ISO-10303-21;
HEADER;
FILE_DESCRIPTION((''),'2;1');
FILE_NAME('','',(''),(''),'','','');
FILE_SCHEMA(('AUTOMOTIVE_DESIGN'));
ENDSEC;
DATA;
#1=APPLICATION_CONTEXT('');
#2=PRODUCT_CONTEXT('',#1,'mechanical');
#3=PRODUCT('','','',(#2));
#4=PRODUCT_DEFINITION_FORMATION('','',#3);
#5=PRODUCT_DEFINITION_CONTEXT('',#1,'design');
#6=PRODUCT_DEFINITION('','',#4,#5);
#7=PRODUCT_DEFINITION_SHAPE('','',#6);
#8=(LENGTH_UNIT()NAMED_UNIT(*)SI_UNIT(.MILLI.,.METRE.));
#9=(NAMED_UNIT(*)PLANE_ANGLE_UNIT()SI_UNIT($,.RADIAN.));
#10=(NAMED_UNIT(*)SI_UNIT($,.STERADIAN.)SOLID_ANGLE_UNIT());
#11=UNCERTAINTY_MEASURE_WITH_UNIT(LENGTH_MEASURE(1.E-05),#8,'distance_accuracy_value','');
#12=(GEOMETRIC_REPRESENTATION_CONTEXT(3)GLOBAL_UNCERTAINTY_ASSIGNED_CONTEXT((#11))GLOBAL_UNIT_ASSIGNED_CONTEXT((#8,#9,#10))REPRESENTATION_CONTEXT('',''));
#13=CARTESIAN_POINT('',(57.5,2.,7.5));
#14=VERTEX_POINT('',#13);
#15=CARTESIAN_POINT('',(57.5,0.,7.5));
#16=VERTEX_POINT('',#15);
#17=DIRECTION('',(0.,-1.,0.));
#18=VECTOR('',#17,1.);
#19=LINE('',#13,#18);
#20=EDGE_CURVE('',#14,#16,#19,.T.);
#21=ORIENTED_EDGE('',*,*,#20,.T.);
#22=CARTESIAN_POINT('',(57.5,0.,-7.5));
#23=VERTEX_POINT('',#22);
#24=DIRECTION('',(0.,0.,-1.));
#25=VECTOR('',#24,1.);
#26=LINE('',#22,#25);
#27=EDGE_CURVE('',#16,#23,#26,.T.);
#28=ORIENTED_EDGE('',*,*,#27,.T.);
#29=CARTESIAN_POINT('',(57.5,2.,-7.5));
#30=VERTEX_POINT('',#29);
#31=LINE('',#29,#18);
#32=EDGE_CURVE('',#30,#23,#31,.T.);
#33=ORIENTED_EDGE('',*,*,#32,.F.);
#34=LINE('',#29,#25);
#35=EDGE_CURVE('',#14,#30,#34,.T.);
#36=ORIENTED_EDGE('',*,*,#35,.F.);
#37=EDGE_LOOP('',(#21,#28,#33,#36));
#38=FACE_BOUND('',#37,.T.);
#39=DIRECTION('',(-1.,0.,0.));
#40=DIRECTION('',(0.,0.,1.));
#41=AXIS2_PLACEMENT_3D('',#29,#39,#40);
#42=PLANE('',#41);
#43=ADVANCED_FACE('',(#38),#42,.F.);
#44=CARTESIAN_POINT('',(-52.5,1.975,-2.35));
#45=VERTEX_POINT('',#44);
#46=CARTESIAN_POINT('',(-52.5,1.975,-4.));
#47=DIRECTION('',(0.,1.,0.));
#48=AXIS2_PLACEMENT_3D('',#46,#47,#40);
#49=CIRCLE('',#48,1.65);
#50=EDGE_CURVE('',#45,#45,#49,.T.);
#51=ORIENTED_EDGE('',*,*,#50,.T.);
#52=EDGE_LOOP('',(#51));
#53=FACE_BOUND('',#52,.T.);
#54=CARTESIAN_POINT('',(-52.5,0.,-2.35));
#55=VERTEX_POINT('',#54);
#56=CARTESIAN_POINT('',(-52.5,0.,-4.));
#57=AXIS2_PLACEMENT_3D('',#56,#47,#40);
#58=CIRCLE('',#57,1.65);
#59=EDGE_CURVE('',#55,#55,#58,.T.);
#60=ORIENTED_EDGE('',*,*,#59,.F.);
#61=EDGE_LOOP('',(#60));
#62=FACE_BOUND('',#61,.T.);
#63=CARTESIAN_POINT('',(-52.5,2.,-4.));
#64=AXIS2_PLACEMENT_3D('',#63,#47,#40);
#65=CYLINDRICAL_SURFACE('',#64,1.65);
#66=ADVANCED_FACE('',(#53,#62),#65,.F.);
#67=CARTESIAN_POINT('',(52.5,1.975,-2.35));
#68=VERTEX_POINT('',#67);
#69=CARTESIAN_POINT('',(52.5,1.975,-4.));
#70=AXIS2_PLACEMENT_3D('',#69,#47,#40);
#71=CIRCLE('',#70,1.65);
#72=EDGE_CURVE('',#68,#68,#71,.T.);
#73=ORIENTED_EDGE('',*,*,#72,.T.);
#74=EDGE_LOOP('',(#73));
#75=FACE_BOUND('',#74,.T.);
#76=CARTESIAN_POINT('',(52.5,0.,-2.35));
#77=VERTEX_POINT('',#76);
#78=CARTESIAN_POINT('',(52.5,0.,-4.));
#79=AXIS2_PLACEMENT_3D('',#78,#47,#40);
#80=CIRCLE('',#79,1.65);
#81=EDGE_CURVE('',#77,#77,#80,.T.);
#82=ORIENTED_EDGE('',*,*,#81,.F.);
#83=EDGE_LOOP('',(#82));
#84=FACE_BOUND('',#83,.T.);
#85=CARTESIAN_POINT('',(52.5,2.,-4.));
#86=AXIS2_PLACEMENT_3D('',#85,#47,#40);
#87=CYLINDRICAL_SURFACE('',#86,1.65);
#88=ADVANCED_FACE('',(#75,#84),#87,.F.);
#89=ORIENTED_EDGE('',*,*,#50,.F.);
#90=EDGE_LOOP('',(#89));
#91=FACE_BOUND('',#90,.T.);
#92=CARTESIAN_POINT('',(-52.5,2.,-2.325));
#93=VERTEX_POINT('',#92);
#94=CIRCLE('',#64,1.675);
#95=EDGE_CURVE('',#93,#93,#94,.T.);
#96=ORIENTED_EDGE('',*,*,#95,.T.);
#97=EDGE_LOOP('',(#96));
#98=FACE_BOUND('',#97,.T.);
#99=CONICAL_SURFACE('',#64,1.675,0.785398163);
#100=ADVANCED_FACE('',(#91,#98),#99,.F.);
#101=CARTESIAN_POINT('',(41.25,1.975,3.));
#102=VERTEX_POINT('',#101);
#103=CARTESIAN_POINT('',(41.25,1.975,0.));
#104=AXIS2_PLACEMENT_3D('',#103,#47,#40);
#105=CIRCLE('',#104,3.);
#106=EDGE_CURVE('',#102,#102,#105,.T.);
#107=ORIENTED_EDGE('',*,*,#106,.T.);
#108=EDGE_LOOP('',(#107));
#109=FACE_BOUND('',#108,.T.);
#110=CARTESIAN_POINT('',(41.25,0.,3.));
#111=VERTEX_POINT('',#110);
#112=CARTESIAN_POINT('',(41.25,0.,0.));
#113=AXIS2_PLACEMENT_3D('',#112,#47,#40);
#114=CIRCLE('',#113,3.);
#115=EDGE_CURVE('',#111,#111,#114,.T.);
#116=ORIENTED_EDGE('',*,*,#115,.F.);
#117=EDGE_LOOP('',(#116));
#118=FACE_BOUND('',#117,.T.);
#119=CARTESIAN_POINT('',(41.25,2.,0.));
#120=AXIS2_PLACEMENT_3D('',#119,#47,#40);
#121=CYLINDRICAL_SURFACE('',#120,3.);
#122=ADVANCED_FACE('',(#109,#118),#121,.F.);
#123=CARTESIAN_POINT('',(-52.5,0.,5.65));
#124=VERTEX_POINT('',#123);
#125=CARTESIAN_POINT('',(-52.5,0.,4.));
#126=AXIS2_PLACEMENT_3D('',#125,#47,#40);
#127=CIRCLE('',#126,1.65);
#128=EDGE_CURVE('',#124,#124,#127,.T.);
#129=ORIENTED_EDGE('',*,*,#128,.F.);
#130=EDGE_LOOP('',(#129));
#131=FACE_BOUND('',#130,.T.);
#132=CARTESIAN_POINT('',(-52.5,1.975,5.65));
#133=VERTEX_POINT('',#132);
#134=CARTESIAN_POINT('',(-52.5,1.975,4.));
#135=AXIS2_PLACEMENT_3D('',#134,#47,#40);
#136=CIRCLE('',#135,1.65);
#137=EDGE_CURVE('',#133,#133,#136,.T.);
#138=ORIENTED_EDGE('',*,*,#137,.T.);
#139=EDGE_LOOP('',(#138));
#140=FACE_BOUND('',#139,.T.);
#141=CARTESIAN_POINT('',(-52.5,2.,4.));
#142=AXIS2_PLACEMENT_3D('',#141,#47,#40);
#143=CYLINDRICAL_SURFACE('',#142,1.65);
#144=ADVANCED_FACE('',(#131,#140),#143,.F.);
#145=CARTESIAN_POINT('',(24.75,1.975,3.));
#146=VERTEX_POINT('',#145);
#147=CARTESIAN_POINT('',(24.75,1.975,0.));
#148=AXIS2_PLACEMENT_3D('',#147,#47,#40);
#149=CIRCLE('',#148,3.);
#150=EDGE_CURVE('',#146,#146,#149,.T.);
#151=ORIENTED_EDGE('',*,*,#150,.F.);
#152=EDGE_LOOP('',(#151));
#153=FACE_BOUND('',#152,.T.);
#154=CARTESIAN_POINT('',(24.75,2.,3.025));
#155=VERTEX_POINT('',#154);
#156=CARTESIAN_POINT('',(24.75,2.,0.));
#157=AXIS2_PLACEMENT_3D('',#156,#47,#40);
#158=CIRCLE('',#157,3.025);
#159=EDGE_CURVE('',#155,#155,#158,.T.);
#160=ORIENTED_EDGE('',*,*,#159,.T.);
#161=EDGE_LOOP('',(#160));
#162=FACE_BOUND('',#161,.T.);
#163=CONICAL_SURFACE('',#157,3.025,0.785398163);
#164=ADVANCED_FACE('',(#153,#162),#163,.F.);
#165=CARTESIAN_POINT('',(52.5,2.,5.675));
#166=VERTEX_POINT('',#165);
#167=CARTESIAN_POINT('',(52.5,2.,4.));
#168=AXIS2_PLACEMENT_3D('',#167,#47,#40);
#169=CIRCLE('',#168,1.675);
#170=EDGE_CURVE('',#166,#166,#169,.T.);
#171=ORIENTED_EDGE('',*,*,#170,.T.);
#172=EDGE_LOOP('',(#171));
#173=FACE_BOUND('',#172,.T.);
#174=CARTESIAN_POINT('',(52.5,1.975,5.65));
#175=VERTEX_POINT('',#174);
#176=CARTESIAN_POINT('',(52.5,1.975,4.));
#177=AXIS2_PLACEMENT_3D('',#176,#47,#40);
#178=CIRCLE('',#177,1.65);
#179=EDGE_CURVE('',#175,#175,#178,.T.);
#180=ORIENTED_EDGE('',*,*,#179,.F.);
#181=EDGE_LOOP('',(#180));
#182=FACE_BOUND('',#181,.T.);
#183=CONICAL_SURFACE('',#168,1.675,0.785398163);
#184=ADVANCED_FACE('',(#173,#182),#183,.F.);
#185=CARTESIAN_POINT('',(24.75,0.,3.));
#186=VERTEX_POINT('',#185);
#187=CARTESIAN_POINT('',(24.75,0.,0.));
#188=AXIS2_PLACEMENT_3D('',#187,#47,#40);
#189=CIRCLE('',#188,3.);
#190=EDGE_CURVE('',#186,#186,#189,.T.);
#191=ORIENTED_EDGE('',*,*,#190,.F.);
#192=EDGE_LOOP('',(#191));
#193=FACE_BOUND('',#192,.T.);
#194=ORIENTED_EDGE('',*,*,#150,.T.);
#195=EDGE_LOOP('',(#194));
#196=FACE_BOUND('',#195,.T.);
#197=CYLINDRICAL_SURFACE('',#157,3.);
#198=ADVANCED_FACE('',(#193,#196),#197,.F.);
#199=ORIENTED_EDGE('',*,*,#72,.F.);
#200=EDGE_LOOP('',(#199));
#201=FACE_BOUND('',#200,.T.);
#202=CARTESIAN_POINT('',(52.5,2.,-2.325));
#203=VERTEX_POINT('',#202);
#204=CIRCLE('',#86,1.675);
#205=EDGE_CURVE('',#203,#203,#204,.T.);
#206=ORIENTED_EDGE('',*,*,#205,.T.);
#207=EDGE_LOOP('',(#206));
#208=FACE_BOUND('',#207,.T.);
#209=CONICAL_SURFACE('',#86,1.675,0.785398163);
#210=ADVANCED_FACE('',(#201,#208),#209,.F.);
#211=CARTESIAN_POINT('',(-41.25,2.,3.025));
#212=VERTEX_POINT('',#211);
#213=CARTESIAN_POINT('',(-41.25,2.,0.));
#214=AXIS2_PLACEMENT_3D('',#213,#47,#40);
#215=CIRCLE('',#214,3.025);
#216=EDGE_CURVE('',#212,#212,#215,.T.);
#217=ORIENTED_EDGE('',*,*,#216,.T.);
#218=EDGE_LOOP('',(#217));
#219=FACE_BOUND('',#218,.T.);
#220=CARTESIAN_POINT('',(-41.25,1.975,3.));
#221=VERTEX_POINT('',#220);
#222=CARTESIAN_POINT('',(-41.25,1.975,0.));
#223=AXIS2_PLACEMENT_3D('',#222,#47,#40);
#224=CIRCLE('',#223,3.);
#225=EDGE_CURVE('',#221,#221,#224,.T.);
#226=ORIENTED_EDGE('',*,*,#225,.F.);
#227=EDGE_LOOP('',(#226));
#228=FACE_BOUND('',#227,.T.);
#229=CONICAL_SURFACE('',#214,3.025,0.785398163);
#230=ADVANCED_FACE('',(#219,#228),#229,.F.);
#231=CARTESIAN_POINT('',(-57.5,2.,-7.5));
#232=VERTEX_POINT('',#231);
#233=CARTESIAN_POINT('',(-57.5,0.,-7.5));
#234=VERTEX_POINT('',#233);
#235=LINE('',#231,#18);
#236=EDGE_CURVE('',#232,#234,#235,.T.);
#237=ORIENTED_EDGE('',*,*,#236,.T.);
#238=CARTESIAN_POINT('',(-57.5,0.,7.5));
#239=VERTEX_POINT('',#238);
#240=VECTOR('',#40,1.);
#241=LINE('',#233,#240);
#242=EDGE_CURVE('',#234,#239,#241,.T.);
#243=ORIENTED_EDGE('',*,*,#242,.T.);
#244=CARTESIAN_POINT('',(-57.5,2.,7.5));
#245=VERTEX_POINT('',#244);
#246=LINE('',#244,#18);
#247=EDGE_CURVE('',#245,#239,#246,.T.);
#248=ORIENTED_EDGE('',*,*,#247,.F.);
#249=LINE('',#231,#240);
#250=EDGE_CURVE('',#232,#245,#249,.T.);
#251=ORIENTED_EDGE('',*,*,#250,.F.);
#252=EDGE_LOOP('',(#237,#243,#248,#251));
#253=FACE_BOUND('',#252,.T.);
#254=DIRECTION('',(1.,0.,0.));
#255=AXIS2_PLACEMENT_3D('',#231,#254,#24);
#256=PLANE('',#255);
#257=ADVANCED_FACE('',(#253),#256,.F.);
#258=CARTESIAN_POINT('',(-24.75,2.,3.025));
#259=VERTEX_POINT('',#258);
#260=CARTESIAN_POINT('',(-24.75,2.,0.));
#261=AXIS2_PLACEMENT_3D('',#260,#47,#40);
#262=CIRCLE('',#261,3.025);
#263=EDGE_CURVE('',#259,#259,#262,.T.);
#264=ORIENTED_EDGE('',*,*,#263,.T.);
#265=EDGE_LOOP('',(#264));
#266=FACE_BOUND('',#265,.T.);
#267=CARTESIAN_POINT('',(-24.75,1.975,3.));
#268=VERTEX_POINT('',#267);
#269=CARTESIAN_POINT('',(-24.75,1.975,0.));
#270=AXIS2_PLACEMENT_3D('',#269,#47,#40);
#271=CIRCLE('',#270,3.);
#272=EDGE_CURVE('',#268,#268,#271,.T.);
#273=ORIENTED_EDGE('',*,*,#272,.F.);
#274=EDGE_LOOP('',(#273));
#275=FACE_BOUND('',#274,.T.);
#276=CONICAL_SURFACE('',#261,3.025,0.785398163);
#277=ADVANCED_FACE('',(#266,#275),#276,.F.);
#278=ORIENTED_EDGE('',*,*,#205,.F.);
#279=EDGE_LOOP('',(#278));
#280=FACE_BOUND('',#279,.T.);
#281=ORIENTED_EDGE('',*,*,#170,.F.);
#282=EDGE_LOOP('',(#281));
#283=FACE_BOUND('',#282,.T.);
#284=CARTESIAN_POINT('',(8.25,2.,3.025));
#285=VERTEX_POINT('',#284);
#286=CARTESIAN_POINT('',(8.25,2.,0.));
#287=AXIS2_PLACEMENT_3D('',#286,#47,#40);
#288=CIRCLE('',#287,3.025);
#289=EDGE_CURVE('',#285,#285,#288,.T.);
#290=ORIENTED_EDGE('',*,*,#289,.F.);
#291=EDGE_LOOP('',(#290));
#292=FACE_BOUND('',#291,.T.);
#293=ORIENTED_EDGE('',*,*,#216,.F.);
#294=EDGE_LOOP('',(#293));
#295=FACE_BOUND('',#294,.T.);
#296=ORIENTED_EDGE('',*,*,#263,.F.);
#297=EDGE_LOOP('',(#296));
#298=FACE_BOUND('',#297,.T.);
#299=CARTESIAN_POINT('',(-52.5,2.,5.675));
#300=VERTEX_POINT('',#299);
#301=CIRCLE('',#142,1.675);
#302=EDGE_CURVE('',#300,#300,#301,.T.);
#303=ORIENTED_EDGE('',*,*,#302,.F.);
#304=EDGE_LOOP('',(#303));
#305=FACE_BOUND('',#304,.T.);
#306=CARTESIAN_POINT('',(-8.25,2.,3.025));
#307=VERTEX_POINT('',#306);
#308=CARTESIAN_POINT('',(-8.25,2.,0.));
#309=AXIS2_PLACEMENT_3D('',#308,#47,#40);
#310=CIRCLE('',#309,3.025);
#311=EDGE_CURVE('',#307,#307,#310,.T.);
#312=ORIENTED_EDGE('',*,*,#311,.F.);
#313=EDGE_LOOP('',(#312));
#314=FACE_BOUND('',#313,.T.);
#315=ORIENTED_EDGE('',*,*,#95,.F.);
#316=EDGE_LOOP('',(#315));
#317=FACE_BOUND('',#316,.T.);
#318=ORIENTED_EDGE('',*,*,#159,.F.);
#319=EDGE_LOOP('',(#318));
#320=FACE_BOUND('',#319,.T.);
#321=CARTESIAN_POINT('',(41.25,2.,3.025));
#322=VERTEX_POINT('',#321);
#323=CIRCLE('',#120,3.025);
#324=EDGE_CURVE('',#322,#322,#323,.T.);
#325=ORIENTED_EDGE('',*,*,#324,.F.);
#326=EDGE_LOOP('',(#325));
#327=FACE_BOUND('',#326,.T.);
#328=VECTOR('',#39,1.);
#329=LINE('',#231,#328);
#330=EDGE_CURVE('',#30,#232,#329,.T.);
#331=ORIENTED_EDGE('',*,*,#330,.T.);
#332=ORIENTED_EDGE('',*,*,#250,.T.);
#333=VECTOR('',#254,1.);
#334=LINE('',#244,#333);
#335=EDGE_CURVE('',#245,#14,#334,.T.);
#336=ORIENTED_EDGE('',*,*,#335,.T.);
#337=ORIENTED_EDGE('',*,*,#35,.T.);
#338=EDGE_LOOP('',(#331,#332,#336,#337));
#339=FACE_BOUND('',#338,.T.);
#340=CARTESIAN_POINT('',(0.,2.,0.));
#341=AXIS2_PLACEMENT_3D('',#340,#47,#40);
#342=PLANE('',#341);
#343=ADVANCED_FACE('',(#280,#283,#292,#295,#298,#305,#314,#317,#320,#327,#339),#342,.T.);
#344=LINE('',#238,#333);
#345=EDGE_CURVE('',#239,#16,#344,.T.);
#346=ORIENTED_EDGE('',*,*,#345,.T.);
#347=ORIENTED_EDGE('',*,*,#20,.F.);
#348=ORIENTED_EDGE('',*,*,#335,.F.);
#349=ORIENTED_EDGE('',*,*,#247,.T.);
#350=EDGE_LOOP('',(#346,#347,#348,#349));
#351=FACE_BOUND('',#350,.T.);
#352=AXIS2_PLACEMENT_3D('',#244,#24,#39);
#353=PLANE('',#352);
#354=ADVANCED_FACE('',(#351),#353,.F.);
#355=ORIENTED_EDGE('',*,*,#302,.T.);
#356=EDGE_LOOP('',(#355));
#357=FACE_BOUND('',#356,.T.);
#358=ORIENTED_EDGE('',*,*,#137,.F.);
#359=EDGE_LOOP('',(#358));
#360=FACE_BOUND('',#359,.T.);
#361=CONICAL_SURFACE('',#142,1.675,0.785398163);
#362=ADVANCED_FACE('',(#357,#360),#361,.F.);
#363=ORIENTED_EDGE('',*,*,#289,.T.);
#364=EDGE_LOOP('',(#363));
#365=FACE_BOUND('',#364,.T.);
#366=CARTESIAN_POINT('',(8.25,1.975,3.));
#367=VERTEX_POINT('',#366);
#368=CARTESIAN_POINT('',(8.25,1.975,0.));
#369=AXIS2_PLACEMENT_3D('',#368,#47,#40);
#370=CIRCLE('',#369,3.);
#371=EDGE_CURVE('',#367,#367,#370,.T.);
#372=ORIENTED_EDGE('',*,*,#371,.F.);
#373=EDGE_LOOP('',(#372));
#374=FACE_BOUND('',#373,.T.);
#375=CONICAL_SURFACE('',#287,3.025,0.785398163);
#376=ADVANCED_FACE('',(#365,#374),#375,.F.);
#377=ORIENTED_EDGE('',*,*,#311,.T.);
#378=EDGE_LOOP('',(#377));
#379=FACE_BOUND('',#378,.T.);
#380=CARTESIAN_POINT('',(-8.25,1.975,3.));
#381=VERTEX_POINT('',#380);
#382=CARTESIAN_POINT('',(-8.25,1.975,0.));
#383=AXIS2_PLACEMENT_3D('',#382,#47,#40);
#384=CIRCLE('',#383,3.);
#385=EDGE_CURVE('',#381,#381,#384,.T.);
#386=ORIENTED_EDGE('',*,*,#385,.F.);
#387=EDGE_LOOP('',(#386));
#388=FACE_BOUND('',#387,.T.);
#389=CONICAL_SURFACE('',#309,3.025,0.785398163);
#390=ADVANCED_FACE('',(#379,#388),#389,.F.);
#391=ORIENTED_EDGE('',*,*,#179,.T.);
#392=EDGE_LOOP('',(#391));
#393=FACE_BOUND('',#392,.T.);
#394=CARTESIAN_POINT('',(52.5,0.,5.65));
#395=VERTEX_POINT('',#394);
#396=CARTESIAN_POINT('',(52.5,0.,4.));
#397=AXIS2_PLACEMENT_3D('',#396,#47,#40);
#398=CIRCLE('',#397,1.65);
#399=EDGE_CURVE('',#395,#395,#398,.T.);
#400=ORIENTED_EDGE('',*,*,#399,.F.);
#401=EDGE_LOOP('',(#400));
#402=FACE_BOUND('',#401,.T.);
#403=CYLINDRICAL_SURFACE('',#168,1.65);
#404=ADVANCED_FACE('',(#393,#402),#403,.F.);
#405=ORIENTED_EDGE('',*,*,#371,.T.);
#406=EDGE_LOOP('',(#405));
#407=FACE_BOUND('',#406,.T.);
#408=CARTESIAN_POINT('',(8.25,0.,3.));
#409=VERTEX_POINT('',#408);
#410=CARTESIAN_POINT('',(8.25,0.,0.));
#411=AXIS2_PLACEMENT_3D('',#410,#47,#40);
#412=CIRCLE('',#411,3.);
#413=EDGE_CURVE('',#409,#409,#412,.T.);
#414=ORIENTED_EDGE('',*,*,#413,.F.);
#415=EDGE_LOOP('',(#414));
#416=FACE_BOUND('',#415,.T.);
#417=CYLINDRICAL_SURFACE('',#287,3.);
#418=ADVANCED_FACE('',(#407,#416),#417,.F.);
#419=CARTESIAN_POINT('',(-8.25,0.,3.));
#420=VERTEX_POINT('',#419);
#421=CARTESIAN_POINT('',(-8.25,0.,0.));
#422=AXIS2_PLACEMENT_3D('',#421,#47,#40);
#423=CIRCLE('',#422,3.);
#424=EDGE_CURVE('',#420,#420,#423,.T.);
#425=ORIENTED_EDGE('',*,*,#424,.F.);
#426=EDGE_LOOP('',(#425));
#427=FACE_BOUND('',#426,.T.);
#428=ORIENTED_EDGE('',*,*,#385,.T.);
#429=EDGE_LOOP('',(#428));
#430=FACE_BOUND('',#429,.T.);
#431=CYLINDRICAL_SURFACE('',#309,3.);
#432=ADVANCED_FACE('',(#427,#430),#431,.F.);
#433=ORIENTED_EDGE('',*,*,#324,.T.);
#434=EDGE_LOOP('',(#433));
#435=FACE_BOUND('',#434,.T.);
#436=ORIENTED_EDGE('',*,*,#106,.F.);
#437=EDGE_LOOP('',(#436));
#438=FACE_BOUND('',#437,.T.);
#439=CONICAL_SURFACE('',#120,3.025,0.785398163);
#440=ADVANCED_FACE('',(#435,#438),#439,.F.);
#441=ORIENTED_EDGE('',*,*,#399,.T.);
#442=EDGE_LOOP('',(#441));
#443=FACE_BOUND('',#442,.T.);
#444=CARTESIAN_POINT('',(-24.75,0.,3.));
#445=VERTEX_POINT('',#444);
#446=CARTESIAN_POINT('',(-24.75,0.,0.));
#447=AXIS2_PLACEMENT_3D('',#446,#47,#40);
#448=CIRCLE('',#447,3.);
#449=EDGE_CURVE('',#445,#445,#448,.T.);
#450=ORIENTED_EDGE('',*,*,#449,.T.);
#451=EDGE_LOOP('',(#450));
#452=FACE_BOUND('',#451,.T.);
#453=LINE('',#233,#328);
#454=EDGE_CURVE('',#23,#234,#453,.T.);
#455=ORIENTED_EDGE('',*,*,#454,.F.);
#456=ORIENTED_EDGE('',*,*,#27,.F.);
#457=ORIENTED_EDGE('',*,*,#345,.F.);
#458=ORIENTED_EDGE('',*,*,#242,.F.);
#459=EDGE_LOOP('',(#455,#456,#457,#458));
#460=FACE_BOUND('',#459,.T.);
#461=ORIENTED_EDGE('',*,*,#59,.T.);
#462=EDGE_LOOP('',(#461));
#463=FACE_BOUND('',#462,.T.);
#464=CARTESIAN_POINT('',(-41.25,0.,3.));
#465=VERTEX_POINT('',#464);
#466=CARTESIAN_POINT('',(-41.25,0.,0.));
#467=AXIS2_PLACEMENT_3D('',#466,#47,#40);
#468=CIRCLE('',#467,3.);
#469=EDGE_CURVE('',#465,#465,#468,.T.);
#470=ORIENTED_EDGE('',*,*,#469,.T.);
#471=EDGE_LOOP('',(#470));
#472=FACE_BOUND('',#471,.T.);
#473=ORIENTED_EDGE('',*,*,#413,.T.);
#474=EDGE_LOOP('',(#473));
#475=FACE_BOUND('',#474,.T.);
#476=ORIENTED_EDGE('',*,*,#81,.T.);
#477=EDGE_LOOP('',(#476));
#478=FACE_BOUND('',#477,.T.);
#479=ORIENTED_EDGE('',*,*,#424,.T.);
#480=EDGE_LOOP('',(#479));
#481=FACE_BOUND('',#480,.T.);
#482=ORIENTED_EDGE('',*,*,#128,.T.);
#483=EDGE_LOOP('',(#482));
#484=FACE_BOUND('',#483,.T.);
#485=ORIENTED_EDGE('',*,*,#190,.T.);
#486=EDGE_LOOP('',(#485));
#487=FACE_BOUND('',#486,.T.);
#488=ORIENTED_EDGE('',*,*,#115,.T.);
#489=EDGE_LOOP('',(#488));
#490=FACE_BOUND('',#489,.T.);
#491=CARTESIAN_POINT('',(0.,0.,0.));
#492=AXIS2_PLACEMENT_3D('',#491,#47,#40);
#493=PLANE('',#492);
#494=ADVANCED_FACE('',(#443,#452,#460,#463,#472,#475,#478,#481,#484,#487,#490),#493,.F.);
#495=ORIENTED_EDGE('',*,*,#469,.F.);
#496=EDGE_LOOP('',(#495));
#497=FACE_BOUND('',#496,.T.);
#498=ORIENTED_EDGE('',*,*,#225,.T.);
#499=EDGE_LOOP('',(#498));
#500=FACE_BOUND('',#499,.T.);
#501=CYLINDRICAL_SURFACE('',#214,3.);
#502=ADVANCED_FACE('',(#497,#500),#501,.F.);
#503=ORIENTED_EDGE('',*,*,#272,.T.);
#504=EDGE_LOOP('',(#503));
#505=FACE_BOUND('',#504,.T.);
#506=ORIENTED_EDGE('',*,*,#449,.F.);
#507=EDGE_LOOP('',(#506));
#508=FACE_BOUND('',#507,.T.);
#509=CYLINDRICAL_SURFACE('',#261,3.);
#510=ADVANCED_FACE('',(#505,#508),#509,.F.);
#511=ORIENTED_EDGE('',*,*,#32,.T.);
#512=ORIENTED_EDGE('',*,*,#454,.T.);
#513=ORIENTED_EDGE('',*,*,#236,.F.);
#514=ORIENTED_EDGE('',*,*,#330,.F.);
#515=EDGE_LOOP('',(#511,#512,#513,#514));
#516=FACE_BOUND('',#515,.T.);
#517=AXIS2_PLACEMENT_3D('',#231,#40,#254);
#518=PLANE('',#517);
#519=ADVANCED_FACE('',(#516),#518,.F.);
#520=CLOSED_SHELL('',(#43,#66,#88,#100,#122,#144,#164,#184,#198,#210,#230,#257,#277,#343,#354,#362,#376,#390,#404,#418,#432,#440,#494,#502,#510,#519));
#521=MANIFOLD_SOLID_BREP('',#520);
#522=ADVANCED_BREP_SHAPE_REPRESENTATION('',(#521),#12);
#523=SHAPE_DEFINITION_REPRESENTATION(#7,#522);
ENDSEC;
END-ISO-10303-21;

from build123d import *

# Parameters (mm, degrees)
SKETCH1_W                            = 115
SKETCH1_H                            = 15
BOSS_EXTRUDE1_DEPTH                  = 2
F_3_3_3_3_DIAMETER_HOLE1_D           = 3.3
F_3_3_3_3_DIAMETER_HOLE1_DEPTH       = 15
F_3_3_3_3_DIAMETER_HOLE1_CSINK_D     = 3.35
F_3_3_3_3_DIAMETER_HOLE1_CSINK_ANGLE = 90
F_3_3_3_3_DIAMETER_HOLE1_TIP         = 0.991420021
F_6_0_6_DIAMETER_HOLE1_D             = 6
F_6_0_6_DIAMETER_HOLE1_DEPTH         = 15
F_6_0_6_DIAMETER_HOLE1_CSINK_D       = 6.05
F_6_0_6_DIAMETER_HOLE1_CSINK_ANGLE   = 90
F_6_0_6_DIAMETER_HOLE1_TIP           = 1.802581857


with BuildPart() as part:
    # Sketch1 → Boss-Extrude1 (new body)
    with BuildSketch(Plane(origin=(0, 0, 0), x_dir=(1, 0, 0), z_dir=(0, 1, 0))):
        Rectangle(SKETCH1_W, SKETCH1_H)
    extrude(amount=BOSS_EXTRUDE1_DEPTH)

    # Ø3.3 (3.3) Diameter Hole1
    with Locations(Plane(origin=(0, 2, 0), x_dir=(1, 0, 0), z_dir=(0, 1, 0))):
        with Locations((52.5, -4), (-52.5, 4), (-52.5, -4), (52.5, 4)):
            CounterSinkHole(F_3_3_3_3_DIAMETER_HOLE1_D / 2, F_3_3_3_3_DIAMETER_HOLE1_CSINK_D / 2, depth=F_3_3_3_3_DIAMETER_HOLE1_DEPTH, counter_sink_angle=F_3_3_3_3_DIAMETER_HOLE1_CSINK_ANGLE)
            with Locations((0, 0, -(F_3_3_3_3_DIAMETER_HOLE1_DEPTH + F_3_3_3_3_DIAMETER_HOLE1_TIP / 2))):  # 118° drill point
                Cone(0, F_3_3_3_3_DIAMETER_HOLE1_D / 2, F_3_3_3_3_DIAMETER_HOLE1_TIP, mode=Mode.SUBTRACT)

    # Ø6.0 (6) Diameter Hole1
    with Locations(Plane(origin=(0, 2, 0), x_dir=(1, 0, 0), z_dir=(0, 1, 0))):
        with Locations((-8.25, 0), (8.25, 0), (24.75, 0), (41.25, 0), (-24.75, 0), (-41.25, 0)):
            CounterSinkHole(F_6_0_6_DIAMETER_HOLE1_D / 2, F_6_0_6_DIAMETER_HOLE1_CSINK_D / 2, depth=F_6_0_6_DIAMETER_HOLE1_DEPTH, counter_sink_angle=F_6_0_6_DIAMETER_HOLE1_CSINK_ANGLE)
            with Locations((0, 0, -(F_6_0_6_DIAMETER_HOLE1_DEPTH + F_6_0_6_DIAMETER_HOLE1_TIP / 2))):  # 118° drill point
                Cone(0, F_6_0_6_DIAMETER_HOLE1_D / 2, F_6_0_6_DIAMETER_HOLE1_TIP, mode=Mode.SUBTRACT)


solid = part.part
